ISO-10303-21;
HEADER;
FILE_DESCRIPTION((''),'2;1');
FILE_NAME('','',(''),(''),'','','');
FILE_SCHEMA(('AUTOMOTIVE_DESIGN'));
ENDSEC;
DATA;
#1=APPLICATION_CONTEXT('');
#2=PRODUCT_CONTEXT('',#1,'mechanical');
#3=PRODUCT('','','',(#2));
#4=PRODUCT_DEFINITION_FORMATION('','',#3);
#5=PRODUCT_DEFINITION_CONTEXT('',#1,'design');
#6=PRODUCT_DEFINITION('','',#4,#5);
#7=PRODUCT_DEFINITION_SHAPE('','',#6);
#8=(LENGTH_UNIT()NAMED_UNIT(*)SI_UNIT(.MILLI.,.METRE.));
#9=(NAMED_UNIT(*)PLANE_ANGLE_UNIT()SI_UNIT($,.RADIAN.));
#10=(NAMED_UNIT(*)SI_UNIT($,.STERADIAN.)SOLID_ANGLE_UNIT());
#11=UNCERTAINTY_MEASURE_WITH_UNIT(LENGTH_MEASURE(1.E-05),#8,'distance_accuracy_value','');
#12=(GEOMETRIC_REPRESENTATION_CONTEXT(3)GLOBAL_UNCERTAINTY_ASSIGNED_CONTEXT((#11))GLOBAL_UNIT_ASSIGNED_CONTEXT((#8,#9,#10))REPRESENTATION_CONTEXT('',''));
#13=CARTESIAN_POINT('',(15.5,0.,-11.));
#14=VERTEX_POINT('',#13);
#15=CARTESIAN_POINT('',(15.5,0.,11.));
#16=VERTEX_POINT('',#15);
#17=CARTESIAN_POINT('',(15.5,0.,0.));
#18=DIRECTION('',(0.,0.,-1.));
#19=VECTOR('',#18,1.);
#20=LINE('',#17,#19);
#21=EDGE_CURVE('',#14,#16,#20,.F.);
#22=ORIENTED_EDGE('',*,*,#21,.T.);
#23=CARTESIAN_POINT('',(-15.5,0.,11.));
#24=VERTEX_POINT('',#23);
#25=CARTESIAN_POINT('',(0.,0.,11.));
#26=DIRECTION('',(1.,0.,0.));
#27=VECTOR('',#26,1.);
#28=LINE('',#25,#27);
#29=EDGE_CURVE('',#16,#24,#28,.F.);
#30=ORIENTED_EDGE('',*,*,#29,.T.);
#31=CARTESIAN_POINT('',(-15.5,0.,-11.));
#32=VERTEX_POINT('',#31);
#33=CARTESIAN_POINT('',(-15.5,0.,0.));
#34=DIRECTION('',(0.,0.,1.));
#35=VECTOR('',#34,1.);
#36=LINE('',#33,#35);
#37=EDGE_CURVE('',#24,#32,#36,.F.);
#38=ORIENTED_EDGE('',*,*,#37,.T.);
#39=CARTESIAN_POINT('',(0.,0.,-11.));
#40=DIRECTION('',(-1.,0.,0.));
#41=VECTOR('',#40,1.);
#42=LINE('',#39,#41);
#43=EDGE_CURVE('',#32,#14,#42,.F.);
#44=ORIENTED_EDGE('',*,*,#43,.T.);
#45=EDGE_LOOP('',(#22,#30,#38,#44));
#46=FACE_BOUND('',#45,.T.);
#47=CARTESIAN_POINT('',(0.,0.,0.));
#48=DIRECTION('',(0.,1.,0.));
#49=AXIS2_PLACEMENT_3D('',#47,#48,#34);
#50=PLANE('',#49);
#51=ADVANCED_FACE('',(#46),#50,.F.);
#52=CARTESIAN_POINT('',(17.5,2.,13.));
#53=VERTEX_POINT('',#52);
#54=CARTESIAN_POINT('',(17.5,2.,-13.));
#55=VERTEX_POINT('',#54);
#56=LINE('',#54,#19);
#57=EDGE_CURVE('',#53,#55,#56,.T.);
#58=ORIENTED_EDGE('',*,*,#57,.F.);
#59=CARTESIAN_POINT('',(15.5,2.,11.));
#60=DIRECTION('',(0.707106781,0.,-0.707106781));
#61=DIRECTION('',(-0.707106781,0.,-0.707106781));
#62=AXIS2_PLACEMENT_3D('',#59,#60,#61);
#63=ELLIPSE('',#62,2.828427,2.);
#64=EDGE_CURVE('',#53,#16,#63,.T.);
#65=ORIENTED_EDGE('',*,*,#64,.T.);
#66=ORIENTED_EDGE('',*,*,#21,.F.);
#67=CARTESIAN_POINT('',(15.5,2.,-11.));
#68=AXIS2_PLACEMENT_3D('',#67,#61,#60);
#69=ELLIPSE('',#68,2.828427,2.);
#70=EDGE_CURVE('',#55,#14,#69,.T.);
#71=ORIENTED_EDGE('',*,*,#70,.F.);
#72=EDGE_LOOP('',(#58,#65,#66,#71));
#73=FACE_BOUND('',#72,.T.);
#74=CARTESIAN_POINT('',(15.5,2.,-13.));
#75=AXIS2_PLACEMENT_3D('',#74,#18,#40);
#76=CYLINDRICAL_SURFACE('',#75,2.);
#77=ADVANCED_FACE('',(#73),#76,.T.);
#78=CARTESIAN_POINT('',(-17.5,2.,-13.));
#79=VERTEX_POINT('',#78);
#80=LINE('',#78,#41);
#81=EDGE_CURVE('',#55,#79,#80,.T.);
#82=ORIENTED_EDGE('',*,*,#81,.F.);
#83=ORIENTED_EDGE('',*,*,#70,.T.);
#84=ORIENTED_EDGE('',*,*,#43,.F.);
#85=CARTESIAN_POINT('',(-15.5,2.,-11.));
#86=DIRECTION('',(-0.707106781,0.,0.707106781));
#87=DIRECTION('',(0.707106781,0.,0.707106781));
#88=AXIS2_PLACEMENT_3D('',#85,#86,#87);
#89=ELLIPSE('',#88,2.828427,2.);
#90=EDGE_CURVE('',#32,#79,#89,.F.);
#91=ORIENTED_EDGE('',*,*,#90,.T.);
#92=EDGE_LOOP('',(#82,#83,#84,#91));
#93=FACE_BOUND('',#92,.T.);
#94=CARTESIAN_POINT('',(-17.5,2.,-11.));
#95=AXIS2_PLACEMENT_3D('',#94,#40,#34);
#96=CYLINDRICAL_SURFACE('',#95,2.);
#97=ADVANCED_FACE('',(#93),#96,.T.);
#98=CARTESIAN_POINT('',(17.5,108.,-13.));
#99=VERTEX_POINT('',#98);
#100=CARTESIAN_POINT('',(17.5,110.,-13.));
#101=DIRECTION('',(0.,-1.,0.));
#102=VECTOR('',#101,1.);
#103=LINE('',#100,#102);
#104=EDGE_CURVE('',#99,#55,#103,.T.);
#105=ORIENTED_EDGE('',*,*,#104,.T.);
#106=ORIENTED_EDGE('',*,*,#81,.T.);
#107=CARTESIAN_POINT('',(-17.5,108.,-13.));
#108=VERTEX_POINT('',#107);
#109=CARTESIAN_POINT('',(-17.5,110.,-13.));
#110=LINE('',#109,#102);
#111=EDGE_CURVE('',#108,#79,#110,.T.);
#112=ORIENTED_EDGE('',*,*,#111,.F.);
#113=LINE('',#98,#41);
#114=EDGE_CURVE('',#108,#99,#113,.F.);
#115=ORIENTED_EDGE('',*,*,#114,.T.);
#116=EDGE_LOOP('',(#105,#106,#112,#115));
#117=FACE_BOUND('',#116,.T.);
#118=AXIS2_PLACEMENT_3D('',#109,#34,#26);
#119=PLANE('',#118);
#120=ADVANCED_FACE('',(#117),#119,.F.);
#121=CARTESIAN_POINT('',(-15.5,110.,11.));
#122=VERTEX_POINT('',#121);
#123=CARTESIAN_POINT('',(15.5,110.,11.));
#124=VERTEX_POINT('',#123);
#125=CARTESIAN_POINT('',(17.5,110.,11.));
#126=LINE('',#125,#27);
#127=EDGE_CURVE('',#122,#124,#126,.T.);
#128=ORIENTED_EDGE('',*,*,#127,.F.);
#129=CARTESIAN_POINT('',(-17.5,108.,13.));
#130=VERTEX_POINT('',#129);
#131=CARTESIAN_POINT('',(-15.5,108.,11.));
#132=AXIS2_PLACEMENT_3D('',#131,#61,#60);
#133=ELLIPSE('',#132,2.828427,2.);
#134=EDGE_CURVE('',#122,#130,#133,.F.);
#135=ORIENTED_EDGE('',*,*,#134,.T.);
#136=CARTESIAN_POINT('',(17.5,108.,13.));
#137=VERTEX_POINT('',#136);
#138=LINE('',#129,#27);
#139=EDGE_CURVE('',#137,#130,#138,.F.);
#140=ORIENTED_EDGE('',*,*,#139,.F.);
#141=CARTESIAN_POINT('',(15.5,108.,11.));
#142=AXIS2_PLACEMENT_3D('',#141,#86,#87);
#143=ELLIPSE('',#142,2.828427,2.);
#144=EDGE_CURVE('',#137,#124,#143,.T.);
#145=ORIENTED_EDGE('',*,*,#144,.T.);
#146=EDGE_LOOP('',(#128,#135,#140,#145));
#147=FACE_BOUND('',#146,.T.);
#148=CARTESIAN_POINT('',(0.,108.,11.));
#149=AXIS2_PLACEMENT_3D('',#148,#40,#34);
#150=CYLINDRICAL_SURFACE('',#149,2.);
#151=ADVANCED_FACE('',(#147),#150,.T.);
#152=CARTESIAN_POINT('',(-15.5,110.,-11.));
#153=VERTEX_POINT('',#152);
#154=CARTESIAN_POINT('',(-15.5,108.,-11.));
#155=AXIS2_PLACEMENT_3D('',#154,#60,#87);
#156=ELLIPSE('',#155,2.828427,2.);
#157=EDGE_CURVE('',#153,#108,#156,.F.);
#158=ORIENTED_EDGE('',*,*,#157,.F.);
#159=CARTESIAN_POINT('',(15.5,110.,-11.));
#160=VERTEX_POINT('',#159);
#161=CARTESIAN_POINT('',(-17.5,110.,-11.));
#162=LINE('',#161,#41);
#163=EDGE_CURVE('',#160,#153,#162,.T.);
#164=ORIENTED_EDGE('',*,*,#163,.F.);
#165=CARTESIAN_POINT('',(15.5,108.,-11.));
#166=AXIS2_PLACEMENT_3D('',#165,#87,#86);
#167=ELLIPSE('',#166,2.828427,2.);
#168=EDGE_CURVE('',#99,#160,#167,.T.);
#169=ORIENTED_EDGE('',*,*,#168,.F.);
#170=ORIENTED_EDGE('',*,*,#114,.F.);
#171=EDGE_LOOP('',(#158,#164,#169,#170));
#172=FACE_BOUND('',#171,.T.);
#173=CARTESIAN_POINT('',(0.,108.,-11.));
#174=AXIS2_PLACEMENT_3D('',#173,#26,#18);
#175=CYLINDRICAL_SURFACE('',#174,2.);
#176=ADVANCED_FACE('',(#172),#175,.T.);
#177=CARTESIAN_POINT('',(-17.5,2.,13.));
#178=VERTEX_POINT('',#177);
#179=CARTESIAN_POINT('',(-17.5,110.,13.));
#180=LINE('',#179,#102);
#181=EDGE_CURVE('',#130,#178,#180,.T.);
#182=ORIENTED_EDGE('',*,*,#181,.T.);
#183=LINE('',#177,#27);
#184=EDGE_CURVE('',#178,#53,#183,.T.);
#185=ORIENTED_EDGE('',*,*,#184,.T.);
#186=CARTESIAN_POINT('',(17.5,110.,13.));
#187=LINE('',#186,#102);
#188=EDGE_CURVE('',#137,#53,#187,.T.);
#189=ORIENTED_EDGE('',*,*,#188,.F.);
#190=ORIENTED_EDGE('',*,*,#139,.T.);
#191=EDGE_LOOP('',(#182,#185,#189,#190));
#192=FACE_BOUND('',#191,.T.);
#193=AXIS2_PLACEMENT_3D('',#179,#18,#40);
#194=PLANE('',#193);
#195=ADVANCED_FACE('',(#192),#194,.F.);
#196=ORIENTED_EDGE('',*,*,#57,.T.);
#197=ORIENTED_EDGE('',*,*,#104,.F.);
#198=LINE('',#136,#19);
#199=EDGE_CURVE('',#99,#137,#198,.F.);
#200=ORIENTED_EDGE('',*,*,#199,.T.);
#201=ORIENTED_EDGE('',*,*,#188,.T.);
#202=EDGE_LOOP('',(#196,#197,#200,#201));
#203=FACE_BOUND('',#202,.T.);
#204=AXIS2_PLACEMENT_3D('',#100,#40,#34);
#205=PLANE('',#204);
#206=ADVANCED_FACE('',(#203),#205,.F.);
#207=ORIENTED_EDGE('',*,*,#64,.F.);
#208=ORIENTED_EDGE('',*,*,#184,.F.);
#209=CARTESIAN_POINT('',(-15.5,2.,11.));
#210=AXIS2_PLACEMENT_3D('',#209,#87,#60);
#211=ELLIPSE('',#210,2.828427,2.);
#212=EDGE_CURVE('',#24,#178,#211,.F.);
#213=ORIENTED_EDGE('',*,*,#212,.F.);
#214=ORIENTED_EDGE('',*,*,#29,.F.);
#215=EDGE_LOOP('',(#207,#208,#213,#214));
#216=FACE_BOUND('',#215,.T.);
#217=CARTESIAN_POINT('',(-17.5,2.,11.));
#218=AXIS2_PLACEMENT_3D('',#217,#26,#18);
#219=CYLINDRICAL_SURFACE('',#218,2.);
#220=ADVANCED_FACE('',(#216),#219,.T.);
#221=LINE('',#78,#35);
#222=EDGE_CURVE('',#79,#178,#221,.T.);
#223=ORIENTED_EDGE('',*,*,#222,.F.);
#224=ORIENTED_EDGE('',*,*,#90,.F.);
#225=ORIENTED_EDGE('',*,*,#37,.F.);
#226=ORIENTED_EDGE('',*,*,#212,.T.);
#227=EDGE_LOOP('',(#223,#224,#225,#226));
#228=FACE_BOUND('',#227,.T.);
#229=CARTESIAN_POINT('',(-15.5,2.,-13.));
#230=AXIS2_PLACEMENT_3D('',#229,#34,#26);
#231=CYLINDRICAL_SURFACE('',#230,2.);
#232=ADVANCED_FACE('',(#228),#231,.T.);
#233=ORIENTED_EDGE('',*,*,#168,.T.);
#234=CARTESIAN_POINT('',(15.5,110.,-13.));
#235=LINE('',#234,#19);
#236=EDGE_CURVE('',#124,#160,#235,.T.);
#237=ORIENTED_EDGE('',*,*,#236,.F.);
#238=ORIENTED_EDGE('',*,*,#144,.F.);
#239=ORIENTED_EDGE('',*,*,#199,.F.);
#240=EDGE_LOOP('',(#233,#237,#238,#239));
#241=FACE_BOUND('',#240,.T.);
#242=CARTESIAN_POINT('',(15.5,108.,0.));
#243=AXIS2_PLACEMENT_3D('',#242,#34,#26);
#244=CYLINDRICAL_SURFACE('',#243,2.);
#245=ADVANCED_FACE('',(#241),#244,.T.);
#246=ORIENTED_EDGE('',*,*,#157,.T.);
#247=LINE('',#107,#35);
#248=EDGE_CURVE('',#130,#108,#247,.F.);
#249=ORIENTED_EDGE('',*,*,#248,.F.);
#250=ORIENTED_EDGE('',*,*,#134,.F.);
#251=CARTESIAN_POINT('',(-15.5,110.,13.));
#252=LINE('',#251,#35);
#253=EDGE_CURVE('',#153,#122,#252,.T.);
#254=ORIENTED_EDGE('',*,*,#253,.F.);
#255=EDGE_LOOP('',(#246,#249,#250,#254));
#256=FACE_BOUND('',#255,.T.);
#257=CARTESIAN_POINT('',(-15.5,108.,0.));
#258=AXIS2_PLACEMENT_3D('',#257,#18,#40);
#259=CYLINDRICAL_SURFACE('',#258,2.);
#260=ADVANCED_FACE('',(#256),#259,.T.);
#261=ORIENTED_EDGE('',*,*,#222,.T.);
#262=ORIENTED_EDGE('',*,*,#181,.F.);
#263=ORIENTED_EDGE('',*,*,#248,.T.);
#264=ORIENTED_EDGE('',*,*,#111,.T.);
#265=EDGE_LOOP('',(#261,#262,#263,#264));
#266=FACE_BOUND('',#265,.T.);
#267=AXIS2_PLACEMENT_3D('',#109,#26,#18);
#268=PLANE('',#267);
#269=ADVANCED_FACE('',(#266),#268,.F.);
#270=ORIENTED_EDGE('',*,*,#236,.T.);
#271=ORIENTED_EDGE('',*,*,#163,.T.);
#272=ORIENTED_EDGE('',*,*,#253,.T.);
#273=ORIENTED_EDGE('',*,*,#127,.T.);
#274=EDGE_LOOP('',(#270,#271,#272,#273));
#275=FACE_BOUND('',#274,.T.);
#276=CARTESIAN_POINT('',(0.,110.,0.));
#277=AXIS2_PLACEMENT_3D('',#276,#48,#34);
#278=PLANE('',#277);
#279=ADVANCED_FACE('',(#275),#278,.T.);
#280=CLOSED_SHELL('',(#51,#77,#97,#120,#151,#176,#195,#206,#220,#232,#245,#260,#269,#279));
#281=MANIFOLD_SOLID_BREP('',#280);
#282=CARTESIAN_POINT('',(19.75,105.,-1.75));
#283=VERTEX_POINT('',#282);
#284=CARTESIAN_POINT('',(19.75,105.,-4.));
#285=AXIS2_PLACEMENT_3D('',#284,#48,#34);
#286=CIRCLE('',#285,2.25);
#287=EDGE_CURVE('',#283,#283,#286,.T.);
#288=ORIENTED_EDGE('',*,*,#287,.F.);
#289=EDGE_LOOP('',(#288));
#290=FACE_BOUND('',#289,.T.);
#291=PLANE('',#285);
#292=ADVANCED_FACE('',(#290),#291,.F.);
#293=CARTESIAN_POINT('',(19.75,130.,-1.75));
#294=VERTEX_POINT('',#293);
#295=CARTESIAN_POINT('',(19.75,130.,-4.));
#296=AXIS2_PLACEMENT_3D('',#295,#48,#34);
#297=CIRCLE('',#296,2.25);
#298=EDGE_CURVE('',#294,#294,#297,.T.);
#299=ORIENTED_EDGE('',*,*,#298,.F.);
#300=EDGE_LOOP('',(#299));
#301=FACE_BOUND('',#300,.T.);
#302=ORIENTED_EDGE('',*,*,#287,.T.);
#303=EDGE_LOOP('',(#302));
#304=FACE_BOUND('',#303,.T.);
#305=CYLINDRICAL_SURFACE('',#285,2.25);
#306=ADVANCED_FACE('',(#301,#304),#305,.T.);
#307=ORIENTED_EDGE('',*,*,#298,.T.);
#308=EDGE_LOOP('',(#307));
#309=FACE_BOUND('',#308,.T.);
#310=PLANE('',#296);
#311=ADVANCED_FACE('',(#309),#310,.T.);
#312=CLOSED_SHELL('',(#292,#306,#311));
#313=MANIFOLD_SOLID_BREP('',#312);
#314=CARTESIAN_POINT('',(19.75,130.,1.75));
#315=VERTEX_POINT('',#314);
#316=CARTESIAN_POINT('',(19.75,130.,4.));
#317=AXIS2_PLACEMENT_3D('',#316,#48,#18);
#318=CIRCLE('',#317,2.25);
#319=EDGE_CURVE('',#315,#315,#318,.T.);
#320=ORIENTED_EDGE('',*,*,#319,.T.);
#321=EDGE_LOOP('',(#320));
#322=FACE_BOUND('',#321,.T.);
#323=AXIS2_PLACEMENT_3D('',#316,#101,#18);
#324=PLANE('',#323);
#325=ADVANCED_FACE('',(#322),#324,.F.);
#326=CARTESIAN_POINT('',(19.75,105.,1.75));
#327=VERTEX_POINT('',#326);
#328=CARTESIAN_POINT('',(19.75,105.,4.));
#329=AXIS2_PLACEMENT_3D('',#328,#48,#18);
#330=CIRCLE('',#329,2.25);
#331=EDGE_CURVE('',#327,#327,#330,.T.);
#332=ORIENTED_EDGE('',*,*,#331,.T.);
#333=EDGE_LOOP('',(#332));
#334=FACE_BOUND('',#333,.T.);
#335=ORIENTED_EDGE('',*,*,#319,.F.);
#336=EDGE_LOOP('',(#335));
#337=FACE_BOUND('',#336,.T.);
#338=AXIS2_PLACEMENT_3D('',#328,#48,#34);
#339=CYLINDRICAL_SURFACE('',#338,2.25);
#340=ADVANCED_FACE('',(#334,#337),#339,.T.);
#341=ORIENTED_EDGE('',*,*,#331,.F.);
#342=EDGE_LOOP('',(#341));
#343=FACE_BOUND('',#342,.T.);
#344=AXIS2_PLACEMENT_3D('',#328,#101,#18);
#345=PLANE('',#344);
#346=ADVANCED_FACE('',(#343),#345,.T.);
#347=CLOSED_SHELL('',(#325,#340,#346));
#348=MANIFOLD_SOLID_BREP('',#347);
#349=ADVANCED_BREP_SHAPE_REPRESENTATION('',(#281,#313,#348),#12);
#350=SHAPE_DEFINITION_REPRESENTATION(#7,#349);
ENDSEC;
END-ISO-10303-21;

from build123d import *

# Parameters (mm, degrees)
SKETCH1_W                  = 35
SKETCH1_H                  = 26
BOSS_EXTRUDE1_DEPTH        = 110
BOSS_EXTRUDE2_DEPTH        = 20
BOSS_EXTRUDE2_DEPTH_BACK   = 5
SKETCH2_R                  = 2.25
BOSS_EXTRUDE2_2_DEPTH      = 20
BOSS_EXTRUDE2_2_DEPTH_BACK = 5
FILLET1_R                  = 2


with BuildPart() as part:
    # Sketch1 → Boss-Extrude1 (new body)
    with BuildSketch(Plane(origin=(0, 0, 0), x_dir=(1, 0, 0), z_dir=(0, 1, 0))):
        Rectangle(SKETCH1_W, SKETCH1_H)
    extrude(amount=BOSS_EXTRUDE1_DEPTH)

    # Fillet1
    fillet1_edges = [part.edges().sort_by_distance(p)[0] for p in [
        (-17.5, 110, 0),
        (0, 110, 13),
        (17.5, 110, 0),
        (0, 0, 13),
        (-17.5, 0, 0),
        (0, 0, -13),
        (17.5, 0, 0),
        (0, 110, -13),
    ]]
    fillet(fillet1_edges, radius=FILLET1_R)


with BuildPart() as body_2:
    # Sketch2 → Boss-Extrude2 (new, two sides: drawn at the far end of the back side and taken through both)
    with BuildSketch(Plane(origin=(0, 110, 0), x_dir=(1, 0, 0), z_dir=(0, 1, 0)).offset(-BOSS_EXTRUDE2_DEPTH_BACK)):
        with Locations(Location((19.75, 4, 0), (0, 0, 270))):
            Circle(SKETCH2_R)
    extrude(amount=BOSS_EXTRUDE2_DEPTH + BOSS_EXTRUDE2_DEPTH_BACK)


with BuildPart() as body_3:
    # Sketch2 → Boss-Extrude2 2 (new, two sides: drawn at the far end of the back side and taken through both)
    with BuildSketch(Plane(origin=(0, 110, 0), x_dir=(1, 0, 0), z_dir=(0, 1, 0)).offset(-BOSS_EXTRUDE2_2_DEPTH_BACK)):
        with Locations(Location((19.75, -4, 0), (0, 0, 90))):
            Circle(SKETCH2_R)
    extrude(amount=BOSS_EXTRUDE2_2_DEPTH + BOSS_EXTRUDE2_2_DEPTH_BACK)


solid = Compound([part.part, body_2.part, body_3.part])
